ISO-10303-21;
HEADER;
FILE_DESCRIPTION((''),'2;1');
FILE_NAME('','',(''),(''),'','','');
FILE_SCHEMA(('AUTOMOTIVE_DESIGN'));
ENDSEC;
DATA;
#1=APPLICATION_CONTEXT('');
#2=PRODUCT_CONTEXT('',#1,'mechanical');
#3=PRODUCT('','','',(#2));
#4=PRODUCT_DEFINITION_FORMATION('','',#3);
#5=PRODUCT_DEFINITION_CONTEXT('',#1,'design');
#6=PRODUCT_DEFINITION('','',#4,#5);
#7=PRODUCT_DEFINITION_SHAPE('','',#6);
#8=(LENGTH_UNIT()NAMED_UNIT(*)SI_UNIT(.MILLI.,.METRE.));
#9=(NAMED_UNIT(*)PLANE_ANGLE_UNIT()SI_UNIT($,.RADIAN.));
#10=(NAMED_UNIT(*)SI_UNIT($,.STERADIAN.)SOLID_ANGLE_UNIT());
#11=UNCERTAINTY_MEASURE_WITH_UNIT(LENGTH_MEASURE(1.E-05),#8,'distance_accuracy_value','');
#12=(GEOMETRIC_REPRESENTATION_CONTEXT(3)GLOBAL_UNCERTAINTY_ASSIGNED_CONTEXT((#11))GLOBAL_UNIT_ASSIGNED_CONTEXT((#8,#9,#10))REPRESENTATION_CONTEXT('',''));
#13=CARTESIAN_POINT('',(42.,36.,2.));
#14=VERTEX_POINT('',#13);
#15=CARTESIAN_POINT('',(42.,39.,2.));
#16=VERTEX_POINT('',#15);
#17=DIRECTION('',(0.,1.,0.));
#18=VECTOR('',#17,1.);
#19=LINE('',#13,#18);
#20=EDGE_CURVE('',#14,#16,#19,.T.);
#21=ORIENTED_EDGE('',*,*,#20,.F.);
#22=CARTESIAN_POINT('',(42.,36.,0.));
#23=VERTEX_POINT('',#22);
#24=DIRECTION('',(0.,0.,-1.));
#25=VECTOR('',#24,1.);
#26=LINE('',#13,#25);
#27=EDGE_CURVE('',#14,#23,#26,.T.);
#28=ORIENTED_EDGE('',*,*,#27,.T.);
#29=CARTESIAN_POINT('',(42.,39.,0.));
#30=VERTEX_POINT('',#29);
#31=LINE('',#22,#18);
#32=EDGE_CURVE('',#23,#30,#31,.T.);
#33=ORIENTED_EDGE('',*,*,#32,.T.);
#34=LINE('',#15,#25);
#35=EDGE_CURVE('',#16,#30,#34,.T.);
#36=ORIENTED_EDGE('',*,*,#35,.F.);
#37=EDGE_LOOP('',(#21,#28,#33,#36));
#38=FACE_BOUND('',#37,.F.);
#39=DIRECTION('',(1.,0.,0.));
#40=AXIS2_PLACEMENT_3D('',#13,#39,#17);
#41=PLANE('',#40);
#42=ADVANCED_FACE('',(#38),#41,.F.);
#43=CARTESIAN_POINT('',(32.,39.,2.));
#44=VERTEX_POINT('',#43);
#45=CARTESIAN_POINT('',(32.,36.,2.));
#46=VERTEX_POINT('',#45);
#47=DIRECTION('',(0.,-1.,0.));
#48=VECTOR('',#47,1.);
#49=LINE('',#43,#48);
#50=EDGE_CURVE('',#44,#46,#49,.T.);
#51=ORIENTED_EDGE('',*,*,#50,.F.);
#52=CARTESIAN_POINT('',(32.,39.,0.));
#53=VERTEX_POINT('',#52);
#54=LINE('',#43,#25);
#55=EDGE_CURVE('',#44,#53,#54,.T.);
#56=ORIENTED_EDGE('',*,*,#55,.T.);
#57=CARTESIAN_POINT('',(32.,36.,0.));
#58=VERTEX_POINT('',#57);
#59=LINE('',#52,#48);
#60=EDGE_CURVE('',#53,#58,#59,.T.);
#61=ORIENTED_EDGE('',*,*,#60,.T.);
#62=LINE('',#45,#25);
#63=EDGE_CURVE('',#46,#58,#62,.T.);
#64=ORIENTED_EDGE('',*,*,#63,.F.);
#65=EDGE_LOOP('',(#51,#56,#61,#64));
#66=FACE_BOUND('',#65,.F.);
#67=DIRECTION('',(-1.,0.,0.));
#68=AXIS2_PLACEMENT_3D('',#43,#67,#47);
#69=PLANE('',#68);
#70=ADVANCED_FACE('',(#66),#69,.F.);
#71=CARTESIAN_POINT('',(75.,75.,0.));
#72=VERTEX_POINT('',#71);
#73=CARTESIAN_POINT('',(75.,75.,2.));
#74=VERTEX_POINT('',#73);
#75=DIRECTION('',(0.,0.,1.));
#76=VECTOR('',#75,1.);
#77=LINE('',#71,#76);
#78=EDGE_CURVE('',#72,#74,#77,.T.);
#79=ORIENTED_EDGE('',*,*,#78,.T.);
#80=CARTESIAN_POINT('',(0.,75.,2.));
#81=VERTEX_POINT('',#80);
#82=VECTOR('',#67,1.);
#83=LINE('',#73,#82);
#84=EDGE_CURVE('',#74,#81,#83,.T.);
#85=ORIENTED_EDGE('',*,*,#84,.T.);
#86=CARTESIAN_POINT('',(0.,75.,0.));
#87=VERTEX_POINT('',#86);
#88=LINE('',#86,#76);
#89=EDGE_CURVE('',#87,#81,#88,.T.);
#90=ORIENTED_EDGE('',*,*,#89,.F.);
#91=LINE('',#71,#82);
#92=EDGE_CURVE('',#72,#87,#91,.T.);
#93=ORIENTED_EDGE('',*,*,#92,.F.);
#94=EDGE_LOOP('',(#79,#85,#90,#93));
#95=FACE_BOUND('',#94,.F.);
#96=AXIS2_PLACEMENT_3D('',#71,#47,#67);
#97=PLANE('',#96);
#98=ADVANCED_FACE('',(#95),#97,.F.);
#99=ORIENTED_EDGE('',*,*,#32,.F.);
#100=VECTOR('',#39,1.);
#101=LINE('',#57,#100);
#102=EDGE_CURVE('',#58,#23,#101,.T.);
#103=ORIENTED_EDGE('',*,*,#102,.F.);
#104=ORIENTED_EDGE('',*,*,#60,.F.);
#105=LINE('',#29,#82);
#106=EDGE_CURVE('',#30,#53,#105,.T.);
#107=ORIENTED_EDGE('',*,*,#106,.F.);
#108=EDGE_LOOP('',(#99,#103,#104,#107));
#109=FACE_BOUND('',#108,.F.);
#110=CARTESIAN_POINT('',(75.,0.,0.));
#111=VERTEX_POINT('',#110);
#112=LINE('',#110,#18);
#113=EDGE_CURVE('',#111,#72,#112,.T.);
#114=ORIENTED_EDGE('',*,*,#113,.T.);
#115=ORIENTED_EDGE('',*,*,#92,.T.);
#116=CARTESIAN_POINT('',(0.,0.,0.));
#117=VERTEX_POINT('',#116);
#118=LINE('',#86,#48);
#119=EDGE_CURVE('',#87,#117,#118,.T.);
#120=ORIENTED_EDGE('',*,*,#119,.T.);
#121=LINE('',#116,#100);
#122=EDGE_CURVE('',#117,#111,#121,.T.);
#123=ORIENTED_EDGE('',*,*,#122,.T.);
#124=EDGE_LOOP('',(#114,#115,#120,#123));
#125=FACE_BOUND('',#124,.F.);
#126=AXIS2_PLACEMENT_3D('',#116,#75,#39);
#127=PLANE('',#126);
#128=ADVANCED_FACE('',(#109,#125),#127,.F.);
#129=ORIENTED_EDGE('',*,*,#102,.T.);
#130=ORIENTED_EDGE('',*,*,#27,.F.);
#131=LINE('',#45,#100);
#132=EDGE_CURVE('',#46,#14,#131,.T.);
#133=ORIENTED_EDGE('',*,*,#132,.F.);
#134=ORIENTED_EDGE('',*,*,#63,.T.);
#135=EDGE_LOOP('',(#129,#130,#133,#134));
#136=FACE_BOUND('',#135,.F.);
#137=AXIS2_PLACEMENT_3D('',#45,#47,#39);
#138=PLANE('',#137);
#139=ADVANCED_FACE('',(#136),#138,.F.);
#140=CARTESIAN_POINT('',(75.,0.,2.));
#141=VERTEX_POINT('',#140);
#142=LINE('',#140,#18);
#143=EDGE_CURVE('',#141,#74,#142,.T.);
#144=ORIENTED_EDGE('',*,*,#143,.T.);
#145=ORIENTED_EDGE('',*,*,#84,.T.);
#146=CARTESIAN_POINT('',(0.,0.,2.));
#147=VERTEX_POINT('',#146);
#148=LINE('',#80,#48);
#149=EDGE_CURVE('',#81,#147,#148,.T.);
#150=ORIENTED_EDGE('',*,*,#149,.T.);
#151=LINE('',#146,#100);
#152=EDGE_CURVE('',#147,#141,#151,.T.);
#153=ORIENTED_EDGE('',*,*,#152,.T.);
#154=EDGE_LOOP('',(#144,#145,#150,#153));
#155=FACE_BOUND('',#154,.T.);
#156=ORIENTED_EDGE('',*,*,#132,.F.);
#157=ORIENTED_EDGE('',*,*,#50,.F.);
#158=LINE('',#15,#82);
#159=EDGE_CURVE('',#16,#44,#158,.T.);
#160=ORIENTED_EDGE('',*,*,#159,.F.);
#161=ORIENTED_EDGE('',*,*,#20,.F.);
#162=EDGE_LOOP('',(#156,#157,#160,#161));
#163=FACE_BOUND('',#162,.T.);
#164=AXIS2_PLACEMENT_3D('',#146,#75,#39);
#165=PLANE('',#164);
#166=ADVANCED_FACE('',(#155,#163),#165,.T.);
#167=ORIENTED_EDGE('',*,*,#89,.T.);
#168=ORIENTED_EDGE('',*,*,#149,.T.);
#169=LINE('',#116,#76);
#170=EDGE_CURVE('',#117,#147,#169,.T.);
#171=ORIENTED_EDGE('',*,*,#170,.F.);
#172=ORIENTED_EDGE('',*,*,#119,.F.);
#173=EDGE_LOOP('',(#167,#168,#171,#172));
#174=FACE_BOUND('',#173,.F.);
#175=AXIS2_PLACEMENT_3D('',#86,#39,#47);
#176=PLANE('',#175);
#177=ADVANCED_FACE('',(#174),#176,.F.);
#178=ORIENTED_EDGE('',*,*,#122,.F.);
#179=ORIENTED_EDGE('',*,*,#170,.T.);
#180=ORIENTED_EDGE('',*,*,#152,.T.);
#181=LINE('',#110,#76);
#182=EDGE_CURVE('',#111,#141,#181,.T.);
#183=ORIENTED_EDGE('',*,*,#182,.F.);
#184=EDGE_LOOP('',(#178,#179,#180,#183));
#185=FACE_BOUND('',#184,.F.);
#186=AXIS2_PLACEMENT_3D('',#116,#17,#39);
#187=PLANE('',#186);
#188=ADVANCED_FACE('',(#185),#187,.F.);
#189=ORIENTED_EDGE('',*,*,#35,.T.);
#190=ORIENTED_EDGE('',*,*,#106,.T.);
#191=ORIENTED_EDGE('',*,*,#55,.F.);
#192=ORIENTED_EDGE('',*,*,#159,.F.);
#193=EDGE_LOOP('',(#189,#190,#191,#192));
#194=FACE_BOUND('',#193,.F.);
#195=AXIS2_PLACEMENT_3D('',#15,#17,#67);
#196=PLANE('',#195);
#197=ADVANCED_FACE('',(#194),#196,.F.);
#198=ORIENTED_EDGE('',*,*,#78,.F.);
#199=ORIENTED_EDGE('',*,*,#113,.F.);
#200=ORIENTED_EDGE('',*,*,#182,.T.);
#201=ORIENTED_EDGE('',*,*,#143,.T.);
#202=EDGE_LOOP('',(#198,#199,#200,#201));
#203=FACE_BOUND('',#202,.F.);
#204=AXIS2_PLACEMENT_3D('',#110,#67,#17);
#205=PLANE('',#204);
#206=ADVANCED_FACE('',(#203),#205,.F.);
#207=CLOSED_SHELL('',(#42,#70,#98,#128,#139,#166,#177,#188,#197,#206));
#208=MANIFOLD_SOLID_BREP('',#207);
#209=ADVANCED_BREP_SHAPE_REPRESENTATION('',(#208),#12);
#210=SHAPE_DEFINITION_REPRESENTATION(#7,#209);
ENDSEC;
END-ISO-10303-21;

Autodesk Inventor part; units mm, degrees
ref_plane "YZ Plane" through (0, 0, 0) normal (1, 0, 0) x (0, 1, 0)
ref_plane "XZ Plane" through (0, 0, 0) normal (0, 1, 0) x (-1, 0, 0)
ref_plane "XY Plane" through (0, 0, 0) normal (0, 0, 1) x (1, 0, 0)
sketch "Esquisse1" plane through (0, 0, 0) normal (0, 0, 1) x (1, 0, 0)
  line L0 (0, 0) -> (75, 0)
  line L1 (75, 0) -> (75, 75)
  line L2 (75, 75) -> (0, 75)
  line L3 (0, 75) -> (0, 0)
  dimension "d0" = 75
  dimension "d1" = 75
extrude "Extrusion1" add sketch "Esquisse1" along normal blind 2
sketch "Esquisse2" plane through (0, 0, 2) normal (0, 0, 1) x (1, 0, 0)
  line L0 (32, 36) -> (42, 36)
  line L1 (42, 36) -> (42, 39)
  line L2 (42, 39) -> (32, 39)
  line L3 (32, 39) -> (32, 36)
  line L4 (0, 0) -> (75, 0) projected
  line L5 (0, 75) -> (0, 0) projected
  dimension "d4" = 10
  dimension "d5" = 3
  dimension "d6" = 36
  dimension "d7" = 32
extrude "Extrusion2" cut sketch "Esquisse2" against normal blind 2
properties part number "Pièce-moteur-vis_CPY"
